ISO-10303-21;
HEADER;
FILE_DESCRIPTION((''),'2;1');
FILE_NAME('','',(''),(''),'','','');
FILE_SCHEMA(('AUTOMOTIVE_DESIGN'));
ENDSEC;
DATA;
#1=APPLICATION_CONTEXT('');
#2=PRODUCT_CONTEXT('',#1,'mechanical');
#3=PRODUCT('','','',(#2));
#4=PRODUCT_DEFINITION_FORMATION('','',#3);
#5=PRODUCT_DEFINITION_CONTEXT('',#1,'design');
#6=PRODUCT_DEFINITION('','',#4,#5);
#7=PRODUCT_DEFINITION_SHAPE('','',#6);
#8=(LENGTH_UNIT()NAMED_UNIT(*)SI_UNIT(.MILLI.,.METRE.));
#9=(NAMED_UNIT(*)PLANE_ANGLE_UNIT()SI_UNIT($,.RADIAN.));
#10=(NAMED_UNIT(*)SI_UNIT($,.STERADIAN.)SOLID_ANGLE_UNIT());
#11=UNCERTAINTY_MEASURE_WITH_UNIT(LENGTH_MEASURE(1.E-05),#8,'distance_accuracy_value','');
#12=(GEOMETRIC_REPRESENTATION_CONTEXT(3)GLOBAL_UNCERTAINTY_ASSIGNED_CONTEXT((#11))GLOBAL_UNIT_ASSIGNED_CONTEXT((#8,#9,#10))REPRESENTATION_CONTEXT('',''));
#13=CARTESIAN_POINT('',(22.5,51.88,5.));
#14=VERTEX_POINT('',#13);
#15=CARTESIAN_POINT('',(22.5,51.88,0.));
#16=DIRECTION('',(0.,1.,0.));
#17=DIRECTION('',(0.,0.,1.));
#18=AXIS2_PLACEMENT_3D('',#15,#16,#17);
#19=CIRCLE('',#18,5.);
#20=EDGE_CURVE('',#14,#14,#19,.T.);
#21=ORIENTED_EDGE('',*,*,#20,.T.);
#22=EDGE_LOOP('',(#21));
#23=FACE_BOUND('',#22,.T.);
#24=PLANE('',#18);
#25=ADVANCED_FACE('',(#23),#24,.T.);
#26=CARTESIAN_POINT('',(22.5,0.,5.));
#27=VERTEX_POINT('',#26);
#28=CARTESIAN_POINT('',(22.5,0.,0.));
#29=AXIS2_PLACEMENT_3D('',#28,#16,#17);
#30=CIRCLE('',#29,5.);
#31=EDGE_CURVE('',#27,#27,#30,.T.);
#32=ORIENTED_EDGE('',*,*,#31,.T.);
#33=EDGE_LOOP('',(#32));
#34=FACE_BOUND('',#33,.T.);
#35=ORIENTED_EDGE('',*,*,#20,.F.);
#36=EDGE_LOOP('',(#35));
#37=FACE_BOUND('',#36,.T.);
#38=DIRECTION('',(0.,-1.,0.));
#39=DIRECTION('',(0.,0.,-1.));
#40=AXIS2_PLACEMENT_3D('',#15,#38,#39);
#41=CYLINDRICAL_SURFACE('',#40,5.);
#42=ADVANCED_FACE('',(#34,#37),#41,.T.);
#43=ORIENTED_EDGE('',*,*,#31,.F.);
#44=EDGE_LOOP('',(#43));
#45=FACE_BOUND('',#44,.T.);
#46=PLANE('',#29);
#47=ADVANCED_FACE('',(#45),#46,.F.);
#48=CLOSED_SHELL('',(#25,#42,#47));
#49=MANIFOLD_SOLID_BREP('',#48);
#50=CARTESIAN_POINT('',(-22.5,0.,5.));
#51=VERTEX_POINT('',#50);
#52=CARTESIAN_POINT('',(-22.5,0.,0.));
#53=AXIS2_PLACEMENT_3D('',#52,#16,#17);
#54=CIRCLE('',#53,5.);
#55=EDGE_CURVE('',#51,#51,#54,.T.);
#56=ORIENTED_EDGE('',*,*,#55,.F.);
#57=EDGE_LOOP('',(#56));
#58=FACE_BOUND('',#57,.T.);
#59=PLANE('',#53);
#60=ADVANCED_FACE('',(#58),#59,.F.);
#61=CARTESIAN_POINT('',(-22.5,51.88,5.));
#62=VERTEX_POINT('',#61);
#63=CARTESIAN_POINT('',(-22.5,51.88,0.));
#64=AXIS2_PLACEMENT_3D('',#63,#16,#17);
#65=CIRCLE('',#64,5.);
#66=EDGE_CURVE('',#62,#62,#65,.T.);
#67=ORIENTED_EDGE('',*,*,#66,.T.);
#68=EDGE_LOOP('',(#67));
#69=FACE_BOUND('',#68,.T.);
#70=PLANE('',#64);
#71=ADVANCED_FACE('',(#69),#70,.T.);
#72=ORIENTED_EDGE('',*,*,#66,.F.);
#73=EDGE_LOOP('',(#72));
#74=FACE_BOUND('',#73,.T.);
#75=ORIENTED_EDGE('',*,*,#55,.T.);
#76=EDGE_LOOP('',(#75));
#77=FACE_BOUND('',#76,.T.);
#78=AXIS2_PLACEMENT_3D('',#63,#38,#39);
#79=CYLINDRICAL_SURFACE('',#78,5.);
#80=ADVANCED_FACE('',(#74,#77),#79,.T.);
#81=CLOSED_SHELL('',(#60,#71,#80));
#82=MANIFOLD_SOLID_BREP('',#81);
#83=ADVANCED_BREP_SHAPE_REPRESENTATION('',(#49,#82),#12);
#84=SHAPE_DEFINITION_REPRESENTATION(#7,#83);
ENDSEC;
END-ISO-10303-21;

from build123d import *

# Parameters (mm, degrees)
SKETCH1_R             = 5
BOSS_EXTRUDE1_DEPTH   = 51.88
BOSS_EXTRUDE1_2_DEPTH = 51.88


with BuildPart() as part:
    # Sketch1 → Boss-Extrude1 (new body)
    with BuildSketch(Plane(origin=(0, 0, 0), x_dir=(1, 0, 0), z_dir=(0, 1, 0))):
        with Locations((-22.5, 0)):
            Circle(SKETCH1_R)
    extrude(amount=BOSS_EXTRUDE1_DEPTH)


with BuildPart() as body_2:
    # Sketch1 → Boss-Extrude1 2 (new body)
    with BuildSketch(Plane(origin=(0, 0, 0), x_dir=(1, 0, 0), z_dir=(0, 1, 0))):
        with Locations((22.5, 0)):
            Circle(SKETCH1_R)
    extrude(amount=BOSS_EXTRUDE1_2_DEPTH)


solid = Compound([part.part, body_2.part])
